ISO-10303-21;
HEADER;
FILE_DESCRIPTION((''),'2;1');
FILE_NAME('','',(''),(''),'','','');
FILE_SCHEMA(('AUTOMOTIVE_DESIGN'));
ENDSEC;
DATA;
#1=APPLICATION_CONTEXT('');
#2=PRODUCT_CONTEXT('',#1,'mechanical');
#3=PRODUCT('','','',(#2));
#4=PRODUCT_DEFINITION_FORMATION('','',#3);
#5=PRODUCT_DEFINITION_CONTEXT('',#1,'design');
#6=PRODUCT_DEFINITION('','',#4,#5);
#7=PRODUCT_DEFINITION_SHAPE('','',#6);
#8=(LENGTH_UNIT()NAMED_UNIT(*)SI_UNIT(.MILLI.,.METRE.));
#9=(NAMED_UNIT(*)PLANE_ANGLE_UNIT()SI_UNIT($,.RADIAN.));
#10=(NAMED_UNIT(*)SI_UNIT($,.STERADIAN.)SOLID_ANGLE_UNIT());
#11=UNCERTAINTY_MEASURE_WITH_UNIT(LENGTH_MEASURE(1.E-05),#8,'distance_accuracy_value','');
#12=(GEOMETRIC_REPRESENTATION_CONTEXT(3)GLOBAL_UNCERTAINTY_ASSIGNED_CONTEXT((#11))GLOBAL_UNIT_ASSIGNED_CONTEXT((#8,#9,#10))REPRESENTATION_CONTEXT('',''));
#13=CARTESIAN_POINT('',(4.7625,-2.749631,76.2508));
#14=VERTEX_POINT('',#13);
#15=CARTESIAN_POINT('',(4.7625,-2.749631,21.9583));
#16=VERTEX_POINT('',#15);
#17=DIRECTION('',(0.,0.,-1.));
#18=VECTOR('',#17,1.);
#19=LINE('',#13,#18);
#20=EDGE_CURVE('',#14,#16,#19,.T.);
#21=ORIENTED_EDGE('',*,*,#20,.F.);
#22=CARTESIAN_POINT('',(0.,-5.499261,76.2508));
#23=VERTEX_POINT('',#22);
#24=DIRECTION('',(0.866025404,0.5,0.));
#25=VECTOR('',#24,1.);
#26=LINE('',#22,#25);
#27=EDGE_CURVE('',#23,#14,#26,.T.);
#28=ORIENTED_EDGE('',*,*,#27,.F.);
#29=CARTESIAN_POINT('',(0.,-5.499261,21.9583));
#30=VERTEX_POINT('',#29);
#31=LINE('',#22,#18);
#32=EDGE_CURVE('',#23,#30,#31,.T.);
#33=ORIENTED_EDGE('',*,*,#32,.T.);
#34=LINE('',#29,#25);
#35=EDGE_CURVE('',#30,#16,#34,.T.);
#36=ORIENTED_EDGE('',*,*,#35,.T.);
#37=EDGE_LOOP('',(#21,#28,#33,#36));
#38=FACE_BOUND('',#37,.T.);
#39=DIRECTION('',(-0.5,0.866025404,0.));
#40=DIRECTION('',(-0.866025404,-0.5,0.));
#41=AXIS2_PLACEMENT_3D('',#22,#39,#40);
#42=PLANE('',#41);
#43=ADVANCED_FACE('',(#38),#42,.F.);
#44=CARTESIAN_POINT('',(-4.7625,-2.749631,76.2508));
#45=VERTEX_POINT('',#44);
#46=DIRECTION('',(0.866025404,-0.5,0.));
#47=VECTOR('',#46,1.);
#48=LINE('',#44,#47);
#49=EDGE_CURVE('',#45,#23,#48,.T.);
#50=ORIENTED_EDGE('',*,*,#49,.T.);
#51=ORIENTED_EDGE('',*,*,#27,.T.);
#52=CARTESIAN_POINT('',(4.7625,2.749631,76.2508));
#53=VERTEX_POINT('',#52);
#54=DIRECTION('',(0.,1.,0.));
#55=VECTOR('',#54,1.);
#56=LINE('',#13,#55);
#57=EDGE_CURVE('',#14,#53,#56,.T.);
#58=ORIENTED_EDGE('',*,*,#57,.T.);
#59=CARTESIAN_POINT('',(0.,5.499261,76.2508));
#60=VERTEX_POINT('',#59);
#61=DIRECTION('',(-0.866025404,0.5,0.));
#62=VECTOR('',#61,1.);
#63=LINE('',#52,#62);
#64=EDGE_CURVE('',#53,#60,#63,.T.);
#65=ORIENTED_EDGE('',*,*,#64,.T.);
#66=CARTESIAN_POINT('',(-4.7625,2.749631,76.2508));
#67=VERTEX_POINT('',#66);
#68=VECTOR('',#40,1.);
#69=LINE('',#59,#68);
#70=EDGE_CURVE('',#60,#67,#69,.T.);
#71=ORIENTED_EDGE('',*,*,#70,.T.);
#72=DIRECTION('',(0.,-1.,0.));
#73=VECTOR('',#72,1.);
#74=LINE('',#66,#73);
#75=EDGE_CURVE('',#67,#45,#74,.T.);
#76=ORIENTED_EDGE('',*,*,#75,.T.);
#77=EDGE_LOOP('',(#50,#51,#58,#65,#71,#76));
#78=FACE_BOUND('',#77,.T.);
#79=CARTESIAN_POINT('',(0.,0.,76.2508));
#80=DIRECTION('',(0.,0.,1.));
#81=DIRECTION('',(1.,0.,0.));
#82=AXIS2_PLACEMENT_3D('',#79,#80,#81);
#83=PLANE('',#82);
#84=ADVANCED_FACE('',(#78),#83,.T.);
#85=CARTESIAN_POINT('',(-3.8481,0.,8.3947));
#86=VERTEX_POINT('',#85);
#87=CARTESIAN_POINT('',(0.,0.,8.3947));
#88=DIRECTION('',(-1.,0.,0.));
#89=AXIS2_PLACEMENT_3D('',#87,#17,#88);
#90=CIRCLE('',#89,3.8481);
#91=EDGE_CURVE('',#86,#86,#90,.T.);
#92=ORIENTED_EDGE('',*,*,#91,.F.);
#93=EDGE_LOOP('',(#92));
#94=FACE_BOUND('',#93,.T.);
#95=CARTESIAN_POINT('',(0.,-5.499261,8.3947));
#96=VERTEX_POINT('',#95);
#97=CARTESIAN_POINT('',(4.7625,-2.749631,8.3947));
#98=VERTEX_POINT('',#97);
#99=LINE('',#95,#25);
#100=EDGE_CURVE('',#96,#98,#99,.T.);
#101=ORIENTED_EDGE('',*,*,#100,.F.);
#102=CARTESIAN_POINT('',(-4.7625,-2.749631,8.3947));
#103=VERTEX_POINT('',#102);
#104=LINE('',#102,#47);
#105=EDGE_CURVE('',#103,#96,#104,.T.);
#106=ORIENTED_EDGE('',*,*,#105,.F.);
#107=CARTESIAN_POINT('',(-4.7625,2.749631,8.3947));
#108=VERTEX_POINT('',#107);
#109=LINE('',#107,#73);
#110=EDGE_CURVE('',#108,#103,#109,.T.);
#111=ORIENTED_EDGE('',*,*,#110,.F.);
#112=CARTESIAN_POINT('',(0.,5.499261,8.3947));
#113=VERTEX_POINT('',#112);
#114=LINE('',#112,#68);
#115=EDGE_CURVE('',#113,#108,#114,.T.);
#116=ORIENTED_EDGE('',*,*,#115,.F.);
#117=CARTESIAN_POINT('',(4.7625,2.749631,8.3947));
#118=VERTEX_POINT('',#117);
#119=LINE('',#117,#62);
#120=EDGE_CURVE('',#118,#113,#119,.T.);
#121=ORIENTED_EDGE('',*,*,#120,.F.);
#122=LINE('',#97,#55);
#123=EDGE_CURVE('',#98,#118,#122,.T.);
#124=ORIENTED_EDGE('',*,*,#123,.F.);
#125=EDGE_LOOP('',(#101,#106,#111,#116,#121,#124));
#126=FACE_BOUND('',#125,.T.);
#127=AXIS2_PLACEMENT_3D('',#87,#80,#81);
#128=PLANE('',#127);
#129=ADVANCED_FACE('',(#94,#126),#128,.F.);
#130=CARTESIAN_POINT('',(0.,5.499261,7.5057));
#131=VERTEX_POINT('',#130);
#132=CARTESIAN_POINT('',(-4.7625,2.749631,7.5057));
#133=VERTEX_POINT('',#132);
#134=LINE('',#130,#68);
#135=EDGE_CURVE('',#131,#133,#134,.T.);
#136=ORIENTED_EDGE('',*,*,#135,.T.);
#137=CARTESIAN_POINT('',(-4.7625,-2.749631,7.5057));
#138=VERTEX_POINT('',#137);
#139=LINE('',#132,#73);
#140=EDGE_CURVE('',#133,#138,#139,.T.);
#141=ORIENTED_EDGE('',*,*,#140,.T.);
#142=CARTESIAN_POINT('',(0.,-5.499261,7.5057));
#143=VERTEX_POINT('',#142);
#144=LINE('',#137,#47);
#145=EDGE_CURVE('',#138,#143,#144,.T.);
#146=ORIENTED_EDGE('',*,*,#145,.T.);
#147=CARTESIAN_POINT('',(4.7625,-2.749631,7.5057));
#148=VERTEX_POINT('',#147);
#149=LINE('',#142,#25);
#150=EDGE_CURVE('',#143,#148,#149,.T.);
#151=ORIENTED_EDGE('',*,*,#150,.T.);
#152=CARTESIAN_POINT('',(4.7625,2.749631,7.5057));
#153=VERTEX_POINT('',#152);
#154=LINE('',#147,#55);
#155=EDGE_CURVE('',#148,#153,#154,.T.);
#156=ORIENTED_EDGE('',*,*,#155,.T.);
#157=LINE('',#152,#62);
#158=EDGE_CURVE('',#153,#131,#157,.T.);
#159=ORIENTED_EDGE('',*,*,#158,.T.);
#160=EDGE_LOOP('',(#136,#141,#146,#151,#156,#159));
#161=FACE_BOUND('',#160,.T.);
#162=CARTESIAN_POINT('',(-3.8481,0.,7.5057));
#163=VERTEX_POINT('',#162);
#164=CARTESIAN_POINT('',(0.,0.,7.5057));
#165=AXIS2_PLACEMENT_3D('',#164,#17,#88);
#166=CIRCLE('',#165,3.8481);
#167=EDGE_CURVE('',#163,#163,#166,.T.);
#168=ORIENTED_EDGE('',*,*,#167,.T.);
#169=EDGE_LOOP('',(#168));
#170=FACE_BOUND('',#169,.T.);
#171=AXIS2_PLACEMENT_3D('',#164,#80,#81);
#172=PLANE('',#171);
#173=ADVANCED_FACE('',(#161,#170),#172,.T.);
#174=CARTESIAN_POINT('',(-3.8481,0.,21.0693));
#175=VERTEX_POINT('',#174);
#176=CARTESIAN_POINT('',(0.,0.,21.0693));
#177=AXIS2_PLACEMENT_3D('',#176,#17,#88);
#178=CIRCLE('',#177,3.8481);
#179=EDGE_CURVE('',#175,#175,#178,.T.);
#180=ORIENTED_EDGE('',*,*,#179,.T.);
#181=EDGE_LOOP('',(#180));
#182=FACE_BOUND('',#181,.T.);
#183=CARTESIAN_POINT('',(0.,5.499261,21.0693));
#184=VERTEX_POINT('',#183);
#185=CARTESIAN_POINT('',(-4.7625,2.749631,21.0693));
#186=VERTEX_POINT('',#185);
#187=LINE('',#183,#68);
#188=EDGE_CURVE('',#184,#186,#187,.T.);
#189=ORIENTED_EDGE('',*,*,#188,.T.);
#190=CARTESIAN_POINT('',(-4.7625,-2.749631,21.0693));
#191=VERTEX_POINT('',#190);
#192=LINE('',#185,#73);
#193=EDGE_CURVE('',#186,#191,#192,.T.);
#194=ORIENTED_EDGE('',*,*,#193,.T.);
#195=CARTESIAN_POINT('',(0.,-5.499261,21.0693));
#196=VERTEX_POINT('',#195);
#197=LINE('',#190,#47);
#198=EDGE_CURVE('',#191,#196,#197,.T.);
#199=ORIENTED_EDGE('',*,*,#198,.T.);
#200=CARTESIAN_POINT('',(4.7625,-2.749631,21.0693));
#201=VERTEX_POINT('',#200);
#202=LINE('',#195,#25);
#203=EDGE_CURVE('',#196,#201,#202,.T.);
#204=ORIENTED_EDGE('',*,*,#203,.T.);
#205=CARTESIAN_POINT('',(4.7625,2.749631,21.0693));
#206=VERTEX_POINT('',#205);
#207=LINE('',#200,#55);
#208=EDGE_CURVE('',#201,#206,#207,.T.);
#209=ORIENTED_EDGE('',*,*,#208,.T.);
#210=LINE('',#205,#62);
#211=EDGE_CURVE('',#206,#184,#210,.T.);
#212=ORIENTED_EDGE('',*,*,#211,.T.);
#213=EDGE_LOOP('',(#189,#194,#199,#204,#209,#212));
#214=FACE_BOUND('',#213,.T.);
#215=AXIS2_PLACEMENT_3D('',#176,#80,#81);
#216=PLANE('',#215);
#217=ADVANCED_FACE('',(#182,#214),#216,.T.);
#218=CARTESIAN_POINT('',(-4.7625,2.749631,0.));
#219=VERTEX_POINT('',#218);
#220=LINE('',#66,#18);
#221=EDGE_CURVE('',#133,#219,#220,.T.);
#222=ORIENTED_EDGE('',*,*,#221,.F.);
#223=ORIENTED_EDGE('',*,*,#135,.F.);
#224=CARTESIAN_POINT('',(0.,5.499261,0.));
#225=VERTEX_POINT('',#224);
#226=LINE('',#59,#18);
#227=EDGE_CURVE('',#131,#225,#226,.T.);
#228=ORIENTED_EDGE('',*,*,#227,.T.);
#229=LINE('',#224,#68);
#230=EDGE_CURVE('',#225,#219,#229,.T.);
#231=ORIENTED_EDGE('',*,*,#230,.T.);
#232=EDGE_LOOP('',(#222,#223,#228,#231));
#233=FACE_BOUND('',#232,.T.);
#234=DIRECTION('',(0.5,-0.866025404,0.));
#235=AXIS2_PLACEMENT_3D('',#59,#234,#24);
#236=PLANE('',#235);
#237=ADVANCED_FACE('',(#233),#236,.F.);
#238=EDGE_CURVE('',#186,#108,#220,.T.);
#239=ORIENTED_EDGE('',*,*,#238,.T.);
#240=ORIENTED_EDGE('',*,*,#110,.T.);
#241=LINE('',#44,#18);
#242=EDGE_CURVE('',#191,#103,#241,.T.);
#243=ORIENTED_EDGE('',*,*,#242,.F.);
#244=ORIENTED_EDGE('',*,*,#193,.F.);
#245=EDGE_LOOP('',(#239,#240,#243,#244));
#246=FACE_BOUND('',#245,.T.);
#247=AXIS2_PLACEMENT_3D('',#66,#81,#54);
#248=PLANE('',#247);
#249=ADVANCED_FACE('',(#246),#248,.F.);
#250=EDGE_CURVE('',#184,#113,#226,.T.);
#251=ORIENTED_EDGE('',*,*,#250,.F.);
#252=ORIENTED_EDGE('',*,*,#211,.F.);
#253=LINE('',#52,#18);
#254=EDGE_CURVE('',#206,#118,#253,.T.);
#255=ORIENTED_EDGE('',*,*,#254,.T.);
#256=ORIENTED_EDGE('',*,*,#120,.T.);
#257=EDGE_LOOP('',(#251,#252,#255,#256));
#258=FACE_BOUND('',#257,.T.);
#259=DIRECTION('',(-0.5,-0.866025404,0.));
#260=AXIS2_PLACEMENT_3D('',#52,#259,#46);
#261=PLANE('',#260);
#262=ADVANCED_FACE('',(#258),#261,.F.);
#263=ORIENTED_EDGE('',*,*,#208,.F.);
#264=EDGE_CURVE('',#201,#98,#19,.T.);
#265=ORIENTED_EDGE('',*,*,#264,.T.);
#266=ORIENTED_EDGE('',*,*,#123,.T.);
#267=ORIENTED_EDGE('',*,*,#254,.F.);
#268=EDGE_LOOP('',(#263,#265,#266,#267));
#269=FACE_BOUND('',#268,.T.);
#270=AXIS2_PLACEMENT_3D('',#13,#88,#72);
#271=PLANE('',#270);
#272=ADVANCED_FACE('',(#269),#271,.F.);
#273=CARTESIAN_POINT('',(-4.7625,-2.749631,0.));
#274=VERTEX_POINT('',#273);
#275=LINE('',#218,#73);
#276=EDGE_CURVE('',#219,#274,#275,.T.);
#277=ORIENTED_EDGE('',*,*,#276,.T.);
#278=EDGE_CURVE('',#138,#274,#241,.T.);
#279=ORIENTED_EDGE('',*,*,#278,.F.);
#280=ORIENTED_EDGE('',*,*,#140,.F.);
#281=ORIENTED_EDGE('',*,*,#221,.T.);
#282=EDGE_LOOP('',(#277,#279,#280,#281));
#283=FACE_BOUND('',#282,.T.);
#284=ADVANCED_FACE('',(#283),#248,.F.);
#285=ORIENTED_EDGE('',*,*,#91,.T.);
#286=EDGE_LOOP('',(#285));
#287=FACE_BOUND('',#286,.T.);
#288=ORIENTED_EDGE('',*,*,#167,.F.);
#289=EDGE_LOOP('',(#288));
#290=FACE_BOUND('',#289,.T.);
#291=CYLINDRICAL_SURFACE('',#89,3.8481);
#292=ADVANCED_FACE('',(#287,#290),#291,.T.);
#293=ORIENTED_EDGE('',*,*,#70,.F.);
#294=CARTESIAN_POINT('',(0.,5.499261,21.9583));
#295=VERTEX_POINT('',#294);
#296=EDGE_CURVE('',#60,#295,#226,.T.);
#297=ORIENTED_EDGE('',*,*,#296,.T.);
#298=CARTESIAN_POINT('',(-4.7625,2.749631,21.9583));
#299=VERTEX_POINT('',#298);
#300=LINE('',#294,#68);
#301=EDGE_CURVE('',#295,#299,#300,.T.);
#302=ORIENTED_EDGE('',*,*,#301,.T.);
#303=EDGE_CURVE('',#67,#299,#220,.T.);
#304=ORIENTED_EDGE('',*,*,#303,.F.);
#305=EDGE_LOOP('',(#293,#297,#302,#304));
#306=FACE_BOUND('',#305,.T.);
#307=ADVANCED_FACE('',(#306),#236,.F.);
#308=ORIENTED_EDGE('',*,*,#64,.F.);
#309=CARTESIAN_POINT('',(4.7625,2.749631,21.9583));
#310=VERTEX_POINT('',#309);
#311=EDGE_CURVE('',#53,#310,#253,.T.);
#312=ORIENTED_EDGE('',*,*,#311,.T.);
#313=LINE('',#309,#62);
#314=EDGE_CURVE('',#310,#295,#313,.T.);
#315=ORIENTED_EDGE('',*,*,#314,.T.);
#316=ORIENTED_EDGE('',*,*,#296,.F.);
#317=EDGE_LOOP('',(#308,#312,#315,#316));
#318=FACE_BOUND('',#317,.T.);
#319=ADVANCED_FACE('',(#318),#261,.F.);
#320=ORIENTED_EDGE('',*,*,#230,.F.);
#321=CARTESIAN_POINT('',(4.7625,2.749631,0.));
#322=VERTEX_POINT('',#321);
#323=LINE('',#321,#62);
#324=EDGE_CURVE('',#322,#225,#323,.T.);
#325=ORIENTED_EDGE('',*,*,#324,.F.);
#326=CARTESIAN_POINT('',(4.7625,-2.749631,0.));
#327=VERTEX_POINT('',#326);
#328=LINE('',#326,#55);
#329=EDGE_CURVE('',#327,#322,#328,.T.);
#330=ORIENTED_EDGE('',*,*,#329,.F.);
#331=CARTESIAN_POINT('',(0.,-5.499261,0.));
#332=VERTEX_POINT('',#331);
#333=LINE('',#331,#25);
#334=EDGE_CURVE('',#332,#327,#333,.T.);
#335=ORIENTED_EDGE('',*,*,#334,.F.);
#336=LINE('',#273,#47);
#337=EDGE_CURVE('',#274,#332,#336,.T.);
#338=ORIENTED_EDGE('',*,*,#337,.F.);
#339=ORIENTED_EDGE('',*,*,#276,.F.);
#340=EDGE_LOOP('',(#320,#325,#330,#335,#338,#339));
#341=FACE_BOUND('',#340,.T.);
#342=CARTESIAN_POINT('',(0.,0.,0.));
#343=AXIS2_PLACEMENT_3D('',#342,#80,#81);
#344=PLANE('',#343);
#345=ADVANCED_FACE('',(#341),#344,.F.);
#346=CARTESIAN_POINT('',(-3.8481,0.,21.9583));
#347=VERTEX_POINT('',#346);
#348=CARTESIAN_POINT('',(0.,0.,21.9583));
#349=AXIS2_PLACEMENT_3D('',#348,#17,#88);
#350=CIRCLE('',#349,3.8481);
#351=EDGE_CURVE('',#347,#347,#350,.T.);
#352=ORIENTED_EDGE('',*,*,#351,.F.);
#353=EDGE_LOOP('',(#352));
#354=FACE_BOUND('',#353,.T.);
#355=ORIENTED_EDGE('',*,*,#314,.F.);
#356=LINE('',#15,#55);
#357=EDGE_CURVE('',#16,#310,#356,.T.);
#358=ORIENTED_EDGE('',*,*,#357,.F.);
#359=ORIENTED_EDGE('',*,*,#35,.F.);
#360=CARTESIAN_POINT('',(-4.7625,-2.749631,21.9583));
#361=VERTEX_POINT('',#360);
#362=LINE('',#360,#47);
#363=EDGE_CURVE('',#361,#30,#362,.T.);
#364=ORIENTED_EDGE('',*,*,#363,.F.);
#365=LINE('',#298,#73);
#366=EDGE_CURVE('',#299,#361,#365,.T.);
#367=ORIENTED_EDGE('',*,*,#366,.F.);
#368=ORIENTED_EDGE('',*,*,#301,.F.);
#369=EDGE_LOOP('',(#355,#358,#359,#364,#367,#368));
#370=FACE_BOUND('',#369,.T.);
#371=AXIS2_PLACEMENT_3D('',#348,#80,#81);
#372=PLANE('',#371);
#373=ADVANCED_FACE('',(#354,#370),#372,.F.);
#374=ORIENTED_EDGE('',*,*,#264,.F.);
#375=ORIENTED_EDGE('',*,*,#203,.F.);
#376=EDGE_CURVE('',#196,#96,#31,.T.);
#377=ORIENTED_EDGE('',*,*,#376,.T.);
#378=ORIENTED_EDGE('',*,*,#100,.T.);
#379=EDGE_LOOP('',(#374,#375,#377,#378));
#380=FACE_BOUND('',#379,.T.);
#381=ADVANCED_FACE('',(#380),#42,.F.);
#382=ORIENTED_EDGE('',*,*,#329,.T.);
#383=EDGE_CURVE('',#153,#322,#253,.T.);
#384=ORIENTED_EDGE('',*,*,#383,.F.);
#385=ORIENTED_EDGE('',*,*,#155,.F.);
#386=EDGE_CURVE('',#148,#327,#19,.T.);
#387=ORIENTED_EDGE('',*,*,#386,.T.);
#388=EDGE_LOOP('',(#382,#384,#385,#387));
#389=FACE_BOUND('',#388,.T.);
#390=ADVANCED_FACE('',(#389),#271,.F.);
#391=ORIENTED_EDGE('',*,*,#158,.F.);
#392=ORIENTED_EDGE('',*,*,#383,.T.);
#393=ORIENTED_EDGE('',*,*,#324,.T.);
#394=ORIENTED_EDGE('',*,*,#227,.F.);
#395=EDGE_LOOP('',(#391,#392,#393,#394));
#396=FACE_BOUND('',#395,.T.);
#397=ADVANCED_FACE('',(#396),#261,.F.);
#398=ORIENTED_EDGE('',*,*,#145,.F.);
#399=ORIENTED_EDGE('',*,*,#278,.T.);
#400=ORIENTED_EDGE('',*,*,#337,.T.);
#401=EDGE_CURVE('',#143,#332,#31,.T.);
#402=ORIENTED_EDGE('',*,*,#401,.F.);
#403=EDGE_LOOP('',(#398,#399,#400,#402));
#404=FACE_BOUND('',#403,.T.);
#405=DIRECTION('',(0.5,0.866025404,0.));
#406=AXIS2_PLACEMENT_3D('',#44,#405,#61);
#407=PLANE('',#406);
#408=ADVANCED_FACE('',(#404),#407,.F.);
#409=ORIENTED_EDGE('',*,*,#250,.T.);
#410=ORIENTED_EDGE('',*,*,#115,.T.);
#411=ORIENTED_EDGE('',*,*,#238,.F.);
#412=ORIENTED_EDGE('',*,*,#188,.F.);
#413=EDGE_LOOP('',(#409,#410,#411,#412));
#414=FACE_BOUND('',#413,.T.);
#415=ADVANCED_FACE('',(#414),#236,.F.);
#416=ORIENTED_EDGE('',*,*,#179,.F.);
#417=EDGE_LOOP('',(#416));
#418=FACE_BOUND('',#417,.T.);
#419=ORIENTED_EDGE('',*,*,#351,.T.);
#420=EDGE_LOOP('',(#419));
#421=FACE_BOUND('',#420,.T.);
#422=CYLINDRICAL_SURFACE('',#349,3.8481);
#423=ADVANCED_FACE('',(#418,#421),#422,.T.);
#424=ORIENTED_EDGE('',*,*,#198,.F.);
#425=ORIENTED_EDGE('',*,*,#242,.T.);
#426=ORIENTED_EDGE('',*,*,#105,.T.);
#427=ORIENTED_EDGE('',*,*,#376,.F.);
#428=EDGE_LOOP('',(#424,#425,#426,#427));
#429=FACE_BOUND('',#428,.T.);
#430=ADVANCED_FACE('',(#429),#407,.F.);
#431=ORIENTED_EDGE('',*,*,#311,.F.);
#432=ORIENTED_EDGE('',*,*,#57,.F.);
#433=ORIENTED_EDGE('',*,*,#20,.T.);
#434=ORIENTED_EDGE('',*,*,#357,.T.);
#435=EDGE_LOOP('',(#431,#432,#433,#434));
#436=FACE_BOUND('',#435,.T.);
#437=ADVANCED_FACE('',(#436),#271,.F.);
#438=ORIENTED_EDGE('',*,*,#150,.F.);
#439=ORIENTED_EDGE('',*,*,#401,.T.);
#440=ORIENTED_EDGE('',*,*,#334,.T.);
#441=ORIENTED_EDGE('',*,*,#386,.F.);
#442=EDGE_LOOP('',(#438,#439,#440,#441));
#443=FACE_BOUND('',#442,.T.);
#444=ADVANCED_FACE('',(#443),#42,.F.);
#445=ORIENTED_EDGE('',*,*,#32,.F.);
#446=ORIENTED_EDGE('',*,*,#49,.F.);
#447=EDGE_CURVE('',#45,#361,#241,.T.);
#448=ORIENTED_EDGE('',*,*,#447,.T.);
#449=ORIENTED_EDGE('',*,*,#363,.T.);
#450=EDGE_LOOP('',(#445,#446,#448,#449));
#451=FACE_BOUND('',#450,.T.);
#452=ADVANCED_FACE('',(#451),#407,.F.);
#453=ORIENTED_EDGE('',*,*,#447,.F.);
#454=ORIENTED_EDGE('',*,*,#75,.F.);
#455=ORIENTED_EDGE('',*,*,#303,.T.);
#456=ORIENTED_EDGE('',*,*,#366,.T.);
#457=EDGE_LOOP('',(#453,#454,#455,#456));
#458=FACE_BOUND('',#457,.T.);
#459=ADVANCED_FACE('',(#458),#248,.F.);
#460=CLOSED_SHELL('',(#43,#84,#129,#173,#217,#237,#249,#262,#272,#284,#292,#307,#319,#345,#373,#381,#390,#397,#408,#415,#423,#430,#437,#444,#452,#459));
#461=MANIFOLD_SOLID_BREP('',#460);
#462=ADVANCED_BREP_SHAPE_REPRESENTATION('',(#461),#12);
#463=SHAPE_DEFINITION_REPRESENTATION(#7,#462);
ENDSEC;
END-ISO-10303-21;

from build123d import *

# Parameters (mm, degrees)
BOSS_EXTRUDE1_DEPTH = 76.2508
SKETCH5_W           = 11.10345239
SKETCH5_H           = 12.145052052
SKETCH5_R           = 3.8481
CUT_EXTRUDE2_DEPTH  = 0.4445
SKETCH6_W           = 10.752068687
SKETCH6_H           = 11.509710708
SKETCH6_R           = 3.8481
CUT_EXTRUDE3_DEPTH  = 0.4445


with BuildPart() as part:
    # Sketch1 → Boss-Extrude1 (new body)
    with BuildSketch(Plane.XY):
        Polygon((0, 5.499261314), (-4.7625, 2.749630657), (-4.7625, -2.749630657), (0, -5.499261314), (4.7625, -2.749630657), (4.7625, 2.749630657), align=None)
    extrude(amount=BOSS_EXTRUDE1_DEPTH)

    # Sketch5 → Cut-Extrude2 (cut, symmetric)
    with BuildSketch(Plane(origin=(0, 0, 21.5138), x_dir=(-1, 0, 0), z_dir=(0, 0, -1))):
        with Locations((-0.378227241, -0.09440181)):
            Rectangle(SKETCH5_W, SKETCH5_H)
        Circle(SKETCH5_R, mode=Mode.SUBTRACT)
    extrude(amount=CUT_EXTRUDE2_DEPTH, both=True, mode=Mode.SUBTRACT)

    # Sketch6 → Cut-Extrude3 (cut, symmetric)
    with BuildSketch(Plane(origin=(0, 0, 7.9502), x_dir=(-1, 0, 0), z_dir=(0, 0, -1))):
        with Locations((-0.265980709, -0.185380495)):
            Rectangle(SKETCH6_W, SKETCH6_H)
        Circle(SKETCH6_R, mode=Mode.SUBTRACT)
    extrude(amount=CUT_EXTRUDE3_DEPTH, both=True, mode=Mode.SUBTRACT)


solid = part.part
